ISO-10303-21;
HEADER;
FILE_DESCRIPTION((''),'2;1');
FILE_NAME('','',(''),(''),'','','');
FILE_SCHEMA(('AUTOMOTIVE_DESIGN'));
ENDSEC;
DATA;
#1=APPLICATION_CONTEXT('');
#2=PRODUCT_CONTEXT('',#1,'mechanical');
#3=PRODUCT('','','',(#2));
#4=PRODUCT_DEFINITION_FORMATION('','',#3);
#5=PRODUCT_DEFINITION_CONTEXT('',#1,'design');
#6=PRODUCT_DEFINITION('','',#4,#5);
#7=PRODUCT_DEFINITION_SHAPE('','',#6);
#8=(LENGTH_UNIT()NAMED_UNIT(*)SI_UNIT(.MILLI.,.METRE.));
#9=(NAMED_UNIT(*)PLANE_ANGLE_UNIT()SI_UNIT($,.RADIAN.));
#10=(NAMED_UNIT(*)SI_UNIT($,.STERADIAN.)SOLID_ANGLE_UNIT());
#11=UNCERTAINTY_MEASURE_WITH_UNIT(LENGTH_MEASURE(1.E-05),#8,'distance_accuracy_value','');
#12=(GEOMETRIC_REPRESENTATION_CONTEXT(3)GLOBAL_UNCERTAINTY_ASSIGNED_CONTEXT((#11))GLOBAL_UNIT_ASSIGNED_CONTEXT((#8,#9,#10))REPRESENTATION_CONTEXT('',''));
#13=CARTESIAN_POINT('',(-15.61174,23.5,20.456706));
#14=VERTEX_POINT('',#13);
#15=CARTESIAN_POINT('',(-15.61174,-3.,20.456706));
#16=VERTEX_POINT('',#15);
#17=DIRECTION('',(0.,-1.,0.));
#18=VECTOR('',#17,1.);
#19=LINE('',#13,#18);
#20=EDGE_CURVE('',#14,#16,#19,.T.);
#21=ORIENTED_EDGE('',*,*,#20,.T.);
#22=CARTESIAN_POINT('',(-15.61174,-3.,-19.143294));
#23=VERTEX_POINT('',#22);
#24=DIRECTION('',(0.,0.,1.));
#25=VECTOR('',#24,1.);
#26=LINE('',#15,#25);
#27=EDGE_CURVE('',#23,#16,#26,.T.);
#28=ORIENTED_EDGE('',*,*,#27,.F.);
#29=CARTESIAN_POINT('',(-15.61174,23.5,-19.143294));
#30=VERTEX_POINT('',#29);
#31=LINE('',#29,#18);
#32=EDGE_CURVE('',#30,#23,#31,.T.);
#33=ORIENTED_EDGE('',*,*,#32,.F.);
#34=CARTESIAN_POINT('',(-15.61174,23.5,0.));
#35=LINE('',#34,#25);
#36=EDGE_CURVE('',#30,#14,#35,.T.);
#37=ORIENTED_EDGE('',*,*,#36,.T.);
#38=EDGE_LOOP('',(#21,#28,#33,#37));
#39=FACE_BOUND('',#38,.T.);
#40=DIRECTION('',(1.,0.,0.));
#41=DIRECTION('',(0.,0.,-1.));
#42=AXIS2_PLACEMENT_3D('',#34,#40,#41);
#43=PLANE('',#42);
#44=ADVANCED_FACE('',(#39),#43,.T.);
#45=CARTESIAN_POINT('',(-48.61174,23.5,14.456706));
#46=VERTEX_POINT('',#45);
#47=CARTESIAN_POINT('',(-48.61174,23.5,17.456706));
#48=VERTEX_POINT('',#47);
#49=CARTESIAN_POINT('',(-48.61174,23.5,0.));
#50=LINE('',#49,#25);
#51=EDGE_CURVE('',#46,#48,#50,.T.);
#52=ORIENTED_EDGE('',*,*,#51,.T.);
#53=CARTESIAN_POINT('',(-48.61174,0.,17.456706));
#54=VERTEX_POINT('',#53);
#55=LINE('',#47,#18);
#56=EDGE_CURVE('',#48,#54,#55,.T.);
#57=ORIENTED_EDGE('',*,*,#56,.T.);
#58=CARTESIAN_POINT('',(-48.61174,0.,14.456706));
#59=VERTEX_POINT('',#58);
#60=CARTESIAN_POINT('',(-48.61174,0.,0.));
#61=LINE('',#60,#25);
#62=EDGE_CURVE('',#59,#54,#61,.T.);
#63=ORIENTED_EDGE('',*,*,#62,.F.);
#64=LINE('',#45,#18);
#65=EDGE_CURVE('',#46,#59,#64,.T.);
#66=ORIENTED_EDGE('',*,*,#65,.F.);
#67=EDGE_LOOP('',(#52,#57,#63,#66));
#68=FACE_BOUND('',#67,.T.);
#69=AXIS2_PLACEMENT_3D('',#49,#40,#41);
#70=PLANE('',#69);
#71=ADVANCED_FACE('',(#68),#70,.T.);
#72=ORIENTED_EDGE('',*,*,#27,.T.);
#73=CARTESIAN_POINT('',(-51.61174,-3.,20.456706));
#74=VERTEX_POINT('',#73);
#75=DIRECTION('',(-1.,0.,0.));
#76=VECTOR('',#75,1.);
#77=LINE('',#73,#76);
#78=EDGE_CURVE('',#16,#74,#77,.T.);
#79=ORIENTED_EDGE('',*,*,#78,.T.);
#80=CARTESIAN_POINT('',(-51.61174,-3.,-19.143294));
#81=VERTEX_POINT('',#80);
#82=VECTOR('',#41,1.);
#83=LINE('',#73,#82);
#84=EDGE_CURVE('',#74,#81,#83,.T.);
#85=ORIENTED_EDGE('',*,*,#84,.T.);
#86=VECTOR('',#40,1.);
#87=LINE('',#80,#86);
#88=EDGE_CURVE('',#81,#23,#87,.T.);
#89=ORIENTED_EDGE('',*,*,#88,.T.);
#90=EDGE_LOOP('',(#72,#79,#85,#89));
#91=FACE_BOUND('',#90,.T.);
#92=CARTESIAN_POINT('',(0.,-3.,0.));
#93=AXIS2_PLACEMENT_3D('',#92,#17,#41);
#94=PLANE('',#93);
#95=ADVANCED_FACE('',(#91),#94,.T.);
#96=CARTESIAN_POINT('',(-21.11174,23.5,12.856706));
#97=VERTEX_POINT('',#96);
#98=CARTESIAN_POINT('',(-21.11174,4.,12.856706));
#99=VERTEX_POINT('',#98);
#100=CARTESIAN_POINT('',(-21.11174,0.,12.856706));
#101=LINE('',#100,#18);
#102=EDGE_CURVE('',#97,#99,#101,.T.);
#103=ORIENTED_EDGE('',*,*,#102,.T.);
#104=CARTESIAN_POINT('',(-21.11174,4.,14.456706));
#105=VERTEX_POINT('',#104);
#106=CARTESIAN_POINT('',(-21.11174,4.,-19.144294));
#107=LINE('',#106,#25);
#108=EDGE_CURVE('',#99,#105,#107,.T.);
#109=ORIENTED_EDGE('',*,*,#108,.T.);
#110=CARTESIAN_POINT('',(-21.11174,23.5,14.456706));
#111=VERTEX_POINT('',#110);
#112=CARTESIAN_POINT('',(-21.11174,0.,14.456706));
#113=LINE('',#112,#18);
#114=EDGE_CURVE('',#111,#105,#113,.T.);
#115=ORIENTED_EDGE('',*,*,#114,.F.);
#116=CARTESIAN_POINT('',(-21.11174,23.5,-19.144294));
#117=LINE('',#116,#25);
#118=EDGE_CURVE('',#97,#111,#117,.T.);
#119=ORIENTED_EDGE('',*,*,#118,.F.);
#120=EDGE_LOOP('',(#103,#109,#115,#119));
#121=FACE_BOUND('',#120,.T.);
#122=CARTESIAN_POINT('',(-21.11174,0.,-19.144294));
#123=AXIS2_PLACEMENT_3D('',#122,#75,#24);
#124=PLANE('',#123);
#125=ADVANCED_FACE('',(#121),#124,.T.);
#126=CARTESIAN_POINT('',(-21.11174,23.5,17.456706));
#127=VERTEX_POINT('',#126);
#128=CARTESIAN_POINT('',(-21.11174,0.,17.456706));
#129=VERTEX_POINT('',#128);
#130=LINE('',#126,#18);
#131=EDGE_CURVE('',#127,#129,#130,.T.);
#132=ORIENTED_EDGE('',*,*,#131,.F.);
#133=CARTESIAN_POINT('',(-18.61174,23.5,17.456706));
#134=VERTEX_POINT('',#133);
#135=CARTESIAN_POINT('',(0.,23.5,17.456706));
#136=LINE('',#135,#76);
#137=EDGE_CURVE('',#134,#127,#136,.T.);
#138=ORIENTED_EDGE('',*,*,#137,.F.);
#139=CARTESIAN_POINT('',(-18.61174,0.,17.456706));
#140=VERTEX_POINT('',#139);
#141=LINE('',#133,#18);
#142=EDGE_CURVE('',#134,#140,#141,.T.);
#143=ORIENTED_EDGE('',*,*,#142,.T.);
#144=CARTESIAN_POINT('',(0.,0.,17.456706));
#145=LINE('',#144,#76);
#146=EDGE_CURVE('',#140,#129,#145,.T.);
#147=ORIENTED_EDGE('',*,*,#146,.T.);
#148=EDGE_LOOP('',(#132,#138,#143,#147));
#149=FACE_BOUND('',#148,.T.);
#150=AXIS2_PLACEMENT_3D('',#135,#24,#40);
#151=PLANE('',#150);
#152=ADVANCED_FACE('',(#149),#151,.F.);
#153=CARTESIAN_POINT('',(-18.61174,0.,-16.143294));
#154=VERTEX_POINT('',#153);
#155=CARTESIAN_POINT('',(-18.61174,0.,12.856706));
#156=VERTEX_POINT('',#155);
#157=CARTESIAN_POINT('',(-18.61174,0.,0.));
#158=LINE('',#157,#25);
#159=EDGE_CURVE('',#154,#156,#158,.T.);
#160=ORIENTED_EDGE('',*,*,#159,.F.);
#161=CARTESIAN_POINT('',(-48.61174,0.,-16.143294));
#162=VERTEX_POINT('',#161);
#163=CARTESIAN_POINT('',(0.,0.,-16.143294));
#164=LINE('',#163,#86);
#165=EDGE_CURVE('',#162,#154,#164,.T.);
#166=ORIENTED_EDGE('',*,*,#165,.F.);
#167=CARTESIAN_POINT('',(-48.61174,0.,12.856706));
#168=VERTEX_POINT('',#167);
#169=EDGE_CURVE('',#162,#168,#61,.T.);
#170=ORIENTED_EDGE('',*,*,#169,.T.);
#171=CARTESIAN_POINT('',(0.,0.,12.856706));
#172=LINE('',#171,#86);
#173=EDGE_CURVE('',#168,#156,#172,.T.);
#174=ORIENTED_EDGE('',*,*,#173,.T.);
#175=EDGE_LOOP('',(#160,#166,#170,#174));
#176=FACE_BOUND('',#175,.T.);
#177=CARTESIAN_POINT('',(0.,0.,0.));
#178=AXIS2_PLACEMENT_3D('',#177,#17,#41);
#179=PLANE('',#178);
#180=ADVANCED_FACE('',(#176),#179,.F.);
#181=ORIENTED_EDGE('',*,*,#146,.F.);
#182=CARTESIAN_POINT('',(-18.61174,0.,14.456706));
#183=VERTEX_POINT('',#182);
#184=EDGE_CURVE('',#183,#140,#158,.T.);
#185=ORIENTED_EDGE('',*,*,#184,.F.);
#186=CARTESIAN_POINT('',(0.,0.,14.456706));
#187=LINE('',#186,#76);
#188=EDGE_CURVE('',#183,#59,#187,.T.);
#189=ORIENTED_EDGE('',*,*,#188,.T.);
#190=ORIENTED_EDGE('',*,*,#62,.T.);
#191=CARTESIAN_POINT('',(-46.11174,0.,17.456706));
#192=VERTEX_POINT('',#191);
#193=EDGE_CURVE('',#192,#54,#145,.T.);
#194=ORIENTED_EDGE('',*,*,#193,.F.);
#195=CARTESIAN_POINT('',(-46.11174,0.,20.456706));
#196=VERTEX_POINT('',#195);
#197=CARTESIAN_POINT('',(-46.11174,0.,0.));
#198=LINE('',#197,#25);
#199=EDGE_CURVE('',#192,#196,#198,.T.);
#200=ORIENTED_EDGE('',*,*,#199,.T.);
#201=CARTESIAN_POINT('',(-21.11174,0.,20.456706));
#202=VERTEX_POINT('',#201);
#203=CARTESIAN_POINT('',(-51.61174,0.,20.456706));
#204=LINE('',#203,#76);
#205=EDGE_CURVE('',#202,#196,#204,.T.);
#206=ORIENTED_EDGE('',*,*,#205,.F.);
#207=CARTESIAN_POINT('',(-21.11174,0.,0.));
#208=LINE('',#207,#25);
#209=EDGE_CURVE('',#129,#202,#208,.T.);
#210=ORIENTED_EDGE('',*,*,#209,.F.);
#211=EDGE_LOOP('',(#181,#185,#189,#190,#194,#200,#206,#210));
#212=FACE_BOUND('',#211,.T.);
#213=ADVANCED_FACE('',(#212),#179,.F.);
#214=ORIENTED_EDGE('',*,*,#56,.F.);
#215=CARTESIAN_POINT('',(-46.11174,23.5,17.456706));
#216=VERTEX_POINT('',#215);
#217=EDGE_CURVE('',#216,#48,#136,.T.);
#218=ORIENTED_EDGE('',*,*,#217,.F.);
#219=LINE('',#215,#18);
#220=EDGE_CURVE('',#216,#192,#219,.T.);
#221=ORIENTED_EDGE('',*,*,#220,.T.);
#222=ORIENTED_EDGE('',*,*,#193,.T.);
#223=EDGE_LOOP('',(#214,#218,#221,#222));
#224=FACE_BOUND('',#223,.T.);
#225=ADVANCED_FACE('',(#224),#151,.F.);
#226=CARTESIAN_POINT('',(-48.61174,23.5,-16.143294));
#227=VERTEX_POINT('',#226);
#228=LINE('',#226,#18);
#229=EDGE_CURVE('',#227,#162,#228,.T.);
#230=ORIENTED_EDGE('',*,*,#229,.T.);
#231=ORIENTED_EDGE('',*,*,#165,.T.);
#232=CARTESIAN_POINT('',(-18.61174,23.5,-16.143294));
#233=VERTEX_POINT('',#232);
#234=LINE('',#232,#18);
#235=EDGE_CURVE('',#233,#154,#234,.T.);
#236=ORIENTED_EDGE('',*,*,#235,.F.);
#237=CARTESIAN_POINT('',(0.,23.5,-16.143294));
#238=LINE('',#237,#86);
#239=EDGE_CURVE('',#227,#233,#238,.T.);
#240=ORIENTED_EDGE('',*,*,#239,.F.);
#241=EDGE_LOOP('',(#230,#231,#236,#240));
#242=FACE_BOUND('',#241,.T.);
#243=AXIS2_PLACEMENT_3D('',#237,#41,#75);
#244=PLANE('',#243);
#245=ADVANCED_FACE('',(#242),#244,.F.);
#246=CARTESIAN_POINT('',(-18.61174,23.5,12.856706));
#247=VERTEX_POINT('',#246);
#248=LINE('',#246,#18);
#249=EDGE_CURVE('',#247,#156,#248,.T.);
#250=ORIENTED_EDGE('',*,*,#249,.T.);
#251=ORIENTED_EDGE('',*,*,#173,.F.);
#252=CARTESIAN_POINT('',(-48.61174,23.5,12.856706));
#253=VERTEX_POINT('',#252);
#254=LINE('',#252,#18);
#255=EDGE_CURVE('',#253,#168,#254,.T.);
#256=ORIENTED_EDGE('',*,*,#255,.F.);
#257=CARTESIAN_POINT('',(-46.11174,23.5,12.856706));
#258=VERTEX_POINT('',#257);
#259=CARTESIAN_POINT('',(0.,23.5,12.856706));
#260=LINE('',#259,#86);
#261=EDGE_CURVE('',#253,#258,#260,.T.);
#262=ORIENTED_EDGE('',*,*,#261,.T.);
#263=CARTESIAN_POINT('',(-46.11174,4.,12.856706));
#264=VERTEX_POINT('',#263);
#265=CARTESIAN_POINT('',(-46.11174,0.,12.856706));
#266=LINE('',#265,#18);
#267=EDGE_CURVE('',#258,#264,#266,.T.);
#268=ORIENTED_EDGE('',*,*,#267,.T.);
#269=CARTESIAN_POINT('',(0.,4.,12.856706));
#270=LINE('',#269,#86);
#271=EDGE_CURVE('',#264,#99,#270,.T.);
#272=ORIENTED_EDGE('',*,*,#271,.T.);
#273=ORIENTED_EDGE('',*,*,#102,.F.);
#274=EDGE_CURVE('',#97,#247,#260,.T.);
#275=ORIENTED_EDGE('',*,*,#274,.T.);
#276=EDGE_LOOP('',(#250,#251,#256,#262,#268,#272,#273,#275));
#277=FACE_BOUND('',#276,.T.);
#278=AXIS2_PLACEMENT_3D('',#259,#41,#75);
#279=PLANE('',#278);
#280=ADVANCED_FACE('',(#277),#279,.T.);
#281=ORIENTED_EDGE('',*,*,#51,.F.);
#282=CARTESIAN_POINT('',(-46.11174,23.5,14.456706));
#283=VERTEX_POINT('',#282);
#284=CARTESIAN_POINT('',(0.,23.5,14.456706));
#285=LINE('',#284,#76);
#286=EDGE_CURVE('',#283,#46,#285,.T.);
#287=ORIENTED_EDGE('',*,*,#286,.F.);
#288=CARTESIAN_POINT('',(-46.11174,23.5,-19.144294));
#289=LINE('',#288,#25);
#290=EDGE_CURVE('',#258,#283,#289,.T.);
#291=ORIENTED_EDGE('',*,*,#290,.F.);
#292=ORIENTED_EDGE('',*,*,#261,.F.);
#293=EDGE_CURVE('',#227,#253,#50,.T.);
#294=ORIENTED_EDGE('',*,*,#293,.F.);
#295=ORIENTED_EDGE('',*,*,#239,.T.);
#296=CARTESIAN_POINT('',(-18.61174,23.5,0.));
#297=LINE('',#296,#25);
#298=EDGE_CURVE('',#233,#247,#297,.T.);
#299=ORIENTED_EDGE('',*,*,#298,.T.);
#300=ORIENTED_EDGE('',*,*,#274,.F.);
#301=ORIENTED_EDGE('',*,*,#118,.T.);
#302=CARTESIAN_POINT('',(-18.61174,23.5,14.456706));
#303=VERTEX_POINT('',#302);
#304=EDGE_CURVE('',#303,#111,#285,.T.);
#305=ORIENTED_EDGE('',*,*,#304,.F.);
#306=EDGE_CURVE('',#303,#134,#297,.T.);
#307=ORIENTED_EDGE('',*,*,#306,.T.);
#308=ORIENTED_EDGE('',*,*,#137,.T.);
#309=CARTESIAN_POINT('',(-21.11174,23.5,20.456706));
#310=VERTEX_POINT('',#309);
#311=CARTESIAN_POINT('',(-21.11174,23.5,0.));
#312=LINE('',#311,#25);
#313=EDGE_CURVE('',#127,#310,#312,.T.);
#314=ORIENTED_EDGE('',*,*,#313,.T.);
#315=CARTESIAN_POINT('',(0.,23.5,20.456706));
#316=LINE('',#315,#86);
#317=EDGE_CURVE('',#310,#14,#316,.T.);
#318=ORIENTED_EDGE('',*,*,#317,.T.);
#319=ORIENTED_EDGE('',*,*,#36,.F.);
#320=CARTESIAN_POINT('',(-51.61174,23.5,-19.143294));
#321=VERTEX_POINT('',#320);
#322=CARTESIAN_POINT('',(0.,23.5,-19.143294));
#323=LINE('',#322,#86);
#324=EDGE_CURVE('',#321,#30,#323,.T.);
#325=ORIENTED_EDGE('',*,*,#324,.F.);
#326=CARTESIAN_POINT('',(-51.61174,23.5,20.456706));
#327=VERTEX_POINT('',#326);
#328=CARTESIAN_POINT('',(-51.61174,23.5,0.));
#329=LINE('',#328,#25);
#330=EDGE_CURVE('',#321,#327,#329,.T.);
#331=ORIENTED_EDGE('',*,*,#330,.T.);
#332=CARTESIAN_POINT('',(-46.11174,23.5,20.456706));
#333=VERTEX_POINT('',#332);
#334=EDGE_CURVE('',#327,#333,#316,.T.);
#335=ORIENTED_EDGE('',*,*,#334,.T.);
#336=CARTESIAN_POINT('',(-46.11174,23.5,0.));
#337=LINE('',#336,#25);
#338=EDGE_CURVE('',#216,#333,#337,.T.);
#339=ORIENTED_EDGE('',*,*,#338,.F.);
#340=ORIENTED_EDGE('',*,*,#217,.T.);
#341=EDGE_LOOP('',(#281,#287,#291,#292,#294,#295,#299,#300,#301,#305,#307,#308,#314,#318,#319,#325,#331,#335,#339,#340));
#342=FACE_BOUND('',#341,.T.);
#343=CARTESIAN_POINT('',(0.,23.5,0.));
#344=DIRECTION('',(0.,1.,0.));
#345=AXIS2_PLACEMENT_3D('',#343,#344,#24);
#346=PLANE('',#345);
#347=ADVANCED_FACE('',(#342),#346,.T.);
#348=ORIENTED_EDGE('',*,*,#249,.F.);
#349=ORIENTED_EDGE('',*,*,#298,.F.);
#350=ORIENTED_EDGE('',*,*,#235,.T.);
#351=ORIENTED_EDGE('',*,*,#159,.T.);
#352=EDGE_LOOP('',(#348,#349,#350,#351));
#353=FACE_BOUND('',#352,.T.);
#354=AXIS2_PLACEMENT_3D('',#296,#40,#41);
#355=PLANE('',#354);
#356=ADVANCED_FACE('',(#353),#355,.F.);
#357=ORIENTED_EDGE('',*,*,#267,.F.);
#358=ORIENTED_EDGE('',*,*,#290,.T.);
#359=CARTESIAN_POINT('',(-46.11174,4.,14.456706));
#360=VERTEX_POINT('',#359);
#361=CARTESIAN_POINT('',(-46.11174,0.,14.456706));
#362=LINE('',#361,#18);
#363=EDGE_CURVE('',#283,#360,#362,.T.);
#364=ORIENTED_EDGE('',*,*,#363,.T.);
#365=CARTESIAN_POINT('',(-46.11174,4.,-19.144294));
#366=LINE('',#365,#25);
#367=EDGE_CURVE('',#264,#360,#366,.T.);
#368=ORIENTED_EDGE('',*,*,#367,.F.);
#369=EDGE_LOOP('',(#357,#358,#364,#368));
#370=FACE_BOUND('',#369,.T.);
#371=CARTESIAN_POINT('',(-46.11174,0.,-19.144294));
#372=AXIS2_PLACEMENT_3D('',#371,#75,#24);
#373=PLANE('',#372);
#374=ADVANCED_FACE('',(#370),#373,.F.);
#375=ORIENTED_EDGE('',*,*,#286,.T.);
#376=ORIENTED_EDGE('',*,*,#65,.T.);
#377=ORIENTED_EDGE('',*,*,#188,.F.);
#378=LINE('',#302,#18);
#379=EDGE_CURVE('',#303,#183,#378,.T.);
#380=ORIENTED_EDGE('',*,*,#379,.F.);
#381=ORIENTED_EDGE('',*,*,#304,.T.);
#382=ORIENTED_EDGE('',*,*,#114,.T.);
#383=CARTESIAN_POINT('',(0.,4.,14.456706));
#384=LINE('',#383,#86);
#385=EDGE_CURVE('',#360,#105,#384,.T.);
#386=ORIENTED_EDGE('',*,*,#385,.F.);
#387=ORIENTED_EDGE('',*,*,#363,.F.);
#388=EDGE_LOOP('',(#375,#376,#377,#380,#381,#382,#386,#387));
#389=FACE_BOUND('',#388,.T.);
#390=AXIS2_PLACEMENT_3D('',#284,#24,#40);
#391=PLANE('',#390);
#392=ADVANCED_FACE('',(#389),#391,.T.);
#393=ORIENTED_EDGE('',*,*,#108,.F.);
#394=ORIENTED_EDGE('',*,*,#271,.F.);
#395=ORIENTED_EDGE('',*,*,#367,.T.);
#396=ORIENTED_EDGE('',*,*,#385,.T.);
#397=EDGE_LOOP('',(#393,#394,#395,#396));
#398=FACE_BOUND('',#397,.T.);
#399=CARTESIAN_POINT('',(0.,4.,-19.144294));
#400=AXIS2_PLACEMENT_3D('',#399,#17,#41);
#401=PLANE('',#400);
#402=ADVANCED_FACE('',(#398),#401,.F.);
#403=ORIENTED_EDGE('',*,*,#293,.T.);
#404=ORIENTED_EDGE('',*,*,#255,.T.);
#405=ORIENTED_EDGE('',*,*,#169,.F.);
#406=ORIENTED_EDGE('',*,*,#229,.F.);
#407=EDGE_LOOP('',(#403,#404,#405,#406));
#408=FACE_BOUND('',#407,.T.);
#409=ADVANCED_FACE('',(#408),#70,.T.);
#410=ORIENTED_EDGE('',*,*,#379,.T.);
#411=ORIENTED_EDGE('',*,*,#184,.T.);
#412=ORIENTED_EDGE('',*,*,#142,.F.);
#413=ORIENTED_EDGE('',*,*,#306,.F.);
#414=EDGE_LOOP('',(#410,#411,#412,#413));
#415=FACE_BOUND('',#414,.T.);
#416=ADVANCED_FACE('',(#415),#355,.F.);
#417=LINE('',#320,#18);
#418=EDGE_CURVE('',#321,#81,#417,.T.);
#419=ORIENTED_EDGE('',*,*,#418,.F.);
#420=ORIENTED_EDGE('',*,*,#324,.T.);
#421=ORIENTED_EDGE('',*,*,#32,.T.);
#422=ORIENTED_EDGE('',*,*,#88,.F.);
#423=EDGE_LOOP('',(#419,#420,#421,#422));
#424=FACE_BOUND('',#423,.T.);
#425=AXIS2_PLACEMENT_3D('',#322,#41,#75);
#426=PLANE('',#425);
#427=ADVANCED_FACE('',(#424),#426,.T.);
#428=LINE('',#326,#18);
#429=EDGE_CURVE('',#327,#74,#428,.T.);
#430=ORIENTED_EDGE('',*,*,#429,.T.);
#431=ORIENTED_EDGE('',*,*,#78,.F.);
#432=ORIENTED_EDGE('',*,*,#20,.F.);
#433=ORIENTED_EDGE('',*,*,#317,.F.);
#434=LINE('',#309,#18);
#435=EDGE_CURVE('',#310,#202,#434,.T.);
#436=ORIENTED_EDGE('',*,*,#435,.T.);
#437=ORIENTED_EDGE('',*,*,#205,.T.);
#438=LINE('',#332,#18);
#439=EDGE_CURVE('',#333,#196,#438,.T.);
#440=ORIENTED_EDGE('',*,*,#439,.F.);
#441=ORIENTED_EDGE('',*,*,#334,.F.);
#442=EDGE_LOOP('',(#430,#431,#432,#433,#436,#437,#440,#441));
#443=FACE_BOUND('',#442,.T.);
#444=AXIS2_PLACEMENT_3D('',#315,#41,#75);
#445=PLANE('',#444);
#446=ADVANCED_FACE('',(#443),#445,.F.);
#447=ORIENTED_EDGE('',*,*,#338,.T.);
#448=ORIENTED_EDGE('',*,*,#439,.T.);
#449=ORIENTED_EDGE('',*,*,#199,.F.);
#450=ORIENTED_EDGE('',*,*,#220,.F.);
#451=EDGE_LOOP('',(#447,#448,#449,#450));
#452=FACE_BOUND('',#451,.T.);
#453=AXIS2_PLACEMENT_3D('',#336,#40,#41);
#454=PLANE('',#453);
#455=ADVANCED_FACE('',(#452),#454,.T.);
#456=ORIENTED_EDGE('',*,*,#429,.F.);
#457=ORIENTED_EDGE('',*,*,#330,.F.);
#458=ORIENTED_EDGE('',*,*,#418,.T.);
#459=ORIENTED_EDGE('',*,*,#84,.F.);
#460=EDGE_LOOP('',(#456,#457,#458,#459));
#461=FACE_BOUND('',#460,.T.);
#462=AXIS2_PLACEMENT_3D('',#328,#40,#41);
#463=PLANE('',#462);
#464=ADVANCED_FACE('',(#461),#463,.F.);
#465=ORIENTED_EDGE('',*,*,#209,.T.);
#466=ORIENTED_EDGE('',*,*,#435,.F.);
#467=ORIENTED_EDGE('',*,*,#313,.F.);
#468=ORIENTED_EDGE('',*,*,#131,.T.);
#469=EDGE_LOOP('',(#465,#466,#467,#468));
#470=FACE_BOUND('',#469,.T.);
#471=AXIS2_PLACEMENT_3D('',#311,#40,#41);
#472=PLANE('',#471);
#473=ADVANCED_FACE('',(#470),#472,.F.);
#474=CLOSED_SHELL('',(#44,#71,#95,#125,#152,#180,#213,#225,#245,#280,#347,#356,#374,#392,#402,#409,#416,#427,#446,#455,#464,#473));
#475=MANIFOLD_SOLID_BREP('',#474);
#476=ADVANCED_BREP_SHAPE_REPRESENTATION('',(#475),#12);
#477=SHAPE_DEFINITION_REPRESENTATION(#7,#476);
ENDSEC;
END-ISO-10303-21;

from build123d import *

# Parameters (mm, degrees)
BOSS_EXTRUDE1_DEPTH = 23.5
SKETCH2_W           = 36
SKETCH2_H           = 39.6
BOSS_EXTRUDE2_DEPTH = 3
CUT_EXTRUDE3_REACH  = 67.916
SKETCH5_W           = 25
SKETCH5_H           = 19.5


with BuildPart() as part:
    # Sketch1 → Boss-Extrude1 (new body)
    with BuildSketch(Plane(origin=(0, 0, 0), x_dir=(1, 0, 0), z_dir=(0, 1, 0))):
        Polygon((-48.611740356, -17.456705616), (-48.611740356, -16.615368715), (-48.611740356, -14.456705616), (-48.611740356, -12.856705616), (-48.611740356, 16.143294384), (-48.611740356, 19.143294384), (-51.611740356, 19.143294384), (-51.611740356, -20.456705616), (-46.111740356, -20.456705616), (-46.111740356, -17.456705616), align=None)
        Polygon((-48.611740356, -12.856705616), (-48.611740356, -14.456705616), (-18.611740356, -14.456705616), (-18.611740356, -17.456705616), (-21.111740356, -17.456705616), (-21.111740356, -20.456705616), (-15.611740356, -20.456705616), (-15.611740356, 19.143294384), (-48.611740356, 19.143294384), (-48.611740356, 16.143294384), (-18.611740356, 16.143294384), (-18.611740356, -12.856705616), align=None)
    extrude(amount=BOSS_EXTRUDE1_DEPTH)

    # Sketch2 → Boss-Extrude2 (add)
    with BuildSketch(Plane.XZ):
        with Locations((-33.611740356, 0.656705616)):
            Rectangle(SKETCH2_W, SKETCH2_H)
    extrude(amount=BOSS_EXTRUDE2_DEPTH)

    # Sketch5 → Cut-Extrude3 (cut, up to next)
    with BuildSketch(Plane.XY.offset(14.456705616), mode=Mode.PRIVATE) as cut_extrude3_sk1:
        with Locations((-33.611740356, 13.75)):
            Rectangle(SKETCH5_W, SKETCH5_H)
    cut_extrude3_tool1 = extrude(cut_extrude3_sk1.sketch, amount=-CUT_EXTRUDE3_REACH, mode=Mode.PRIVATE) & part.part
    add(cut_extrude3_tool1.solids().sort_by_distance((-33.61174, 13.75, 14.456706))[0], mode=Mode.SUBTRACT)


solid = part.part
